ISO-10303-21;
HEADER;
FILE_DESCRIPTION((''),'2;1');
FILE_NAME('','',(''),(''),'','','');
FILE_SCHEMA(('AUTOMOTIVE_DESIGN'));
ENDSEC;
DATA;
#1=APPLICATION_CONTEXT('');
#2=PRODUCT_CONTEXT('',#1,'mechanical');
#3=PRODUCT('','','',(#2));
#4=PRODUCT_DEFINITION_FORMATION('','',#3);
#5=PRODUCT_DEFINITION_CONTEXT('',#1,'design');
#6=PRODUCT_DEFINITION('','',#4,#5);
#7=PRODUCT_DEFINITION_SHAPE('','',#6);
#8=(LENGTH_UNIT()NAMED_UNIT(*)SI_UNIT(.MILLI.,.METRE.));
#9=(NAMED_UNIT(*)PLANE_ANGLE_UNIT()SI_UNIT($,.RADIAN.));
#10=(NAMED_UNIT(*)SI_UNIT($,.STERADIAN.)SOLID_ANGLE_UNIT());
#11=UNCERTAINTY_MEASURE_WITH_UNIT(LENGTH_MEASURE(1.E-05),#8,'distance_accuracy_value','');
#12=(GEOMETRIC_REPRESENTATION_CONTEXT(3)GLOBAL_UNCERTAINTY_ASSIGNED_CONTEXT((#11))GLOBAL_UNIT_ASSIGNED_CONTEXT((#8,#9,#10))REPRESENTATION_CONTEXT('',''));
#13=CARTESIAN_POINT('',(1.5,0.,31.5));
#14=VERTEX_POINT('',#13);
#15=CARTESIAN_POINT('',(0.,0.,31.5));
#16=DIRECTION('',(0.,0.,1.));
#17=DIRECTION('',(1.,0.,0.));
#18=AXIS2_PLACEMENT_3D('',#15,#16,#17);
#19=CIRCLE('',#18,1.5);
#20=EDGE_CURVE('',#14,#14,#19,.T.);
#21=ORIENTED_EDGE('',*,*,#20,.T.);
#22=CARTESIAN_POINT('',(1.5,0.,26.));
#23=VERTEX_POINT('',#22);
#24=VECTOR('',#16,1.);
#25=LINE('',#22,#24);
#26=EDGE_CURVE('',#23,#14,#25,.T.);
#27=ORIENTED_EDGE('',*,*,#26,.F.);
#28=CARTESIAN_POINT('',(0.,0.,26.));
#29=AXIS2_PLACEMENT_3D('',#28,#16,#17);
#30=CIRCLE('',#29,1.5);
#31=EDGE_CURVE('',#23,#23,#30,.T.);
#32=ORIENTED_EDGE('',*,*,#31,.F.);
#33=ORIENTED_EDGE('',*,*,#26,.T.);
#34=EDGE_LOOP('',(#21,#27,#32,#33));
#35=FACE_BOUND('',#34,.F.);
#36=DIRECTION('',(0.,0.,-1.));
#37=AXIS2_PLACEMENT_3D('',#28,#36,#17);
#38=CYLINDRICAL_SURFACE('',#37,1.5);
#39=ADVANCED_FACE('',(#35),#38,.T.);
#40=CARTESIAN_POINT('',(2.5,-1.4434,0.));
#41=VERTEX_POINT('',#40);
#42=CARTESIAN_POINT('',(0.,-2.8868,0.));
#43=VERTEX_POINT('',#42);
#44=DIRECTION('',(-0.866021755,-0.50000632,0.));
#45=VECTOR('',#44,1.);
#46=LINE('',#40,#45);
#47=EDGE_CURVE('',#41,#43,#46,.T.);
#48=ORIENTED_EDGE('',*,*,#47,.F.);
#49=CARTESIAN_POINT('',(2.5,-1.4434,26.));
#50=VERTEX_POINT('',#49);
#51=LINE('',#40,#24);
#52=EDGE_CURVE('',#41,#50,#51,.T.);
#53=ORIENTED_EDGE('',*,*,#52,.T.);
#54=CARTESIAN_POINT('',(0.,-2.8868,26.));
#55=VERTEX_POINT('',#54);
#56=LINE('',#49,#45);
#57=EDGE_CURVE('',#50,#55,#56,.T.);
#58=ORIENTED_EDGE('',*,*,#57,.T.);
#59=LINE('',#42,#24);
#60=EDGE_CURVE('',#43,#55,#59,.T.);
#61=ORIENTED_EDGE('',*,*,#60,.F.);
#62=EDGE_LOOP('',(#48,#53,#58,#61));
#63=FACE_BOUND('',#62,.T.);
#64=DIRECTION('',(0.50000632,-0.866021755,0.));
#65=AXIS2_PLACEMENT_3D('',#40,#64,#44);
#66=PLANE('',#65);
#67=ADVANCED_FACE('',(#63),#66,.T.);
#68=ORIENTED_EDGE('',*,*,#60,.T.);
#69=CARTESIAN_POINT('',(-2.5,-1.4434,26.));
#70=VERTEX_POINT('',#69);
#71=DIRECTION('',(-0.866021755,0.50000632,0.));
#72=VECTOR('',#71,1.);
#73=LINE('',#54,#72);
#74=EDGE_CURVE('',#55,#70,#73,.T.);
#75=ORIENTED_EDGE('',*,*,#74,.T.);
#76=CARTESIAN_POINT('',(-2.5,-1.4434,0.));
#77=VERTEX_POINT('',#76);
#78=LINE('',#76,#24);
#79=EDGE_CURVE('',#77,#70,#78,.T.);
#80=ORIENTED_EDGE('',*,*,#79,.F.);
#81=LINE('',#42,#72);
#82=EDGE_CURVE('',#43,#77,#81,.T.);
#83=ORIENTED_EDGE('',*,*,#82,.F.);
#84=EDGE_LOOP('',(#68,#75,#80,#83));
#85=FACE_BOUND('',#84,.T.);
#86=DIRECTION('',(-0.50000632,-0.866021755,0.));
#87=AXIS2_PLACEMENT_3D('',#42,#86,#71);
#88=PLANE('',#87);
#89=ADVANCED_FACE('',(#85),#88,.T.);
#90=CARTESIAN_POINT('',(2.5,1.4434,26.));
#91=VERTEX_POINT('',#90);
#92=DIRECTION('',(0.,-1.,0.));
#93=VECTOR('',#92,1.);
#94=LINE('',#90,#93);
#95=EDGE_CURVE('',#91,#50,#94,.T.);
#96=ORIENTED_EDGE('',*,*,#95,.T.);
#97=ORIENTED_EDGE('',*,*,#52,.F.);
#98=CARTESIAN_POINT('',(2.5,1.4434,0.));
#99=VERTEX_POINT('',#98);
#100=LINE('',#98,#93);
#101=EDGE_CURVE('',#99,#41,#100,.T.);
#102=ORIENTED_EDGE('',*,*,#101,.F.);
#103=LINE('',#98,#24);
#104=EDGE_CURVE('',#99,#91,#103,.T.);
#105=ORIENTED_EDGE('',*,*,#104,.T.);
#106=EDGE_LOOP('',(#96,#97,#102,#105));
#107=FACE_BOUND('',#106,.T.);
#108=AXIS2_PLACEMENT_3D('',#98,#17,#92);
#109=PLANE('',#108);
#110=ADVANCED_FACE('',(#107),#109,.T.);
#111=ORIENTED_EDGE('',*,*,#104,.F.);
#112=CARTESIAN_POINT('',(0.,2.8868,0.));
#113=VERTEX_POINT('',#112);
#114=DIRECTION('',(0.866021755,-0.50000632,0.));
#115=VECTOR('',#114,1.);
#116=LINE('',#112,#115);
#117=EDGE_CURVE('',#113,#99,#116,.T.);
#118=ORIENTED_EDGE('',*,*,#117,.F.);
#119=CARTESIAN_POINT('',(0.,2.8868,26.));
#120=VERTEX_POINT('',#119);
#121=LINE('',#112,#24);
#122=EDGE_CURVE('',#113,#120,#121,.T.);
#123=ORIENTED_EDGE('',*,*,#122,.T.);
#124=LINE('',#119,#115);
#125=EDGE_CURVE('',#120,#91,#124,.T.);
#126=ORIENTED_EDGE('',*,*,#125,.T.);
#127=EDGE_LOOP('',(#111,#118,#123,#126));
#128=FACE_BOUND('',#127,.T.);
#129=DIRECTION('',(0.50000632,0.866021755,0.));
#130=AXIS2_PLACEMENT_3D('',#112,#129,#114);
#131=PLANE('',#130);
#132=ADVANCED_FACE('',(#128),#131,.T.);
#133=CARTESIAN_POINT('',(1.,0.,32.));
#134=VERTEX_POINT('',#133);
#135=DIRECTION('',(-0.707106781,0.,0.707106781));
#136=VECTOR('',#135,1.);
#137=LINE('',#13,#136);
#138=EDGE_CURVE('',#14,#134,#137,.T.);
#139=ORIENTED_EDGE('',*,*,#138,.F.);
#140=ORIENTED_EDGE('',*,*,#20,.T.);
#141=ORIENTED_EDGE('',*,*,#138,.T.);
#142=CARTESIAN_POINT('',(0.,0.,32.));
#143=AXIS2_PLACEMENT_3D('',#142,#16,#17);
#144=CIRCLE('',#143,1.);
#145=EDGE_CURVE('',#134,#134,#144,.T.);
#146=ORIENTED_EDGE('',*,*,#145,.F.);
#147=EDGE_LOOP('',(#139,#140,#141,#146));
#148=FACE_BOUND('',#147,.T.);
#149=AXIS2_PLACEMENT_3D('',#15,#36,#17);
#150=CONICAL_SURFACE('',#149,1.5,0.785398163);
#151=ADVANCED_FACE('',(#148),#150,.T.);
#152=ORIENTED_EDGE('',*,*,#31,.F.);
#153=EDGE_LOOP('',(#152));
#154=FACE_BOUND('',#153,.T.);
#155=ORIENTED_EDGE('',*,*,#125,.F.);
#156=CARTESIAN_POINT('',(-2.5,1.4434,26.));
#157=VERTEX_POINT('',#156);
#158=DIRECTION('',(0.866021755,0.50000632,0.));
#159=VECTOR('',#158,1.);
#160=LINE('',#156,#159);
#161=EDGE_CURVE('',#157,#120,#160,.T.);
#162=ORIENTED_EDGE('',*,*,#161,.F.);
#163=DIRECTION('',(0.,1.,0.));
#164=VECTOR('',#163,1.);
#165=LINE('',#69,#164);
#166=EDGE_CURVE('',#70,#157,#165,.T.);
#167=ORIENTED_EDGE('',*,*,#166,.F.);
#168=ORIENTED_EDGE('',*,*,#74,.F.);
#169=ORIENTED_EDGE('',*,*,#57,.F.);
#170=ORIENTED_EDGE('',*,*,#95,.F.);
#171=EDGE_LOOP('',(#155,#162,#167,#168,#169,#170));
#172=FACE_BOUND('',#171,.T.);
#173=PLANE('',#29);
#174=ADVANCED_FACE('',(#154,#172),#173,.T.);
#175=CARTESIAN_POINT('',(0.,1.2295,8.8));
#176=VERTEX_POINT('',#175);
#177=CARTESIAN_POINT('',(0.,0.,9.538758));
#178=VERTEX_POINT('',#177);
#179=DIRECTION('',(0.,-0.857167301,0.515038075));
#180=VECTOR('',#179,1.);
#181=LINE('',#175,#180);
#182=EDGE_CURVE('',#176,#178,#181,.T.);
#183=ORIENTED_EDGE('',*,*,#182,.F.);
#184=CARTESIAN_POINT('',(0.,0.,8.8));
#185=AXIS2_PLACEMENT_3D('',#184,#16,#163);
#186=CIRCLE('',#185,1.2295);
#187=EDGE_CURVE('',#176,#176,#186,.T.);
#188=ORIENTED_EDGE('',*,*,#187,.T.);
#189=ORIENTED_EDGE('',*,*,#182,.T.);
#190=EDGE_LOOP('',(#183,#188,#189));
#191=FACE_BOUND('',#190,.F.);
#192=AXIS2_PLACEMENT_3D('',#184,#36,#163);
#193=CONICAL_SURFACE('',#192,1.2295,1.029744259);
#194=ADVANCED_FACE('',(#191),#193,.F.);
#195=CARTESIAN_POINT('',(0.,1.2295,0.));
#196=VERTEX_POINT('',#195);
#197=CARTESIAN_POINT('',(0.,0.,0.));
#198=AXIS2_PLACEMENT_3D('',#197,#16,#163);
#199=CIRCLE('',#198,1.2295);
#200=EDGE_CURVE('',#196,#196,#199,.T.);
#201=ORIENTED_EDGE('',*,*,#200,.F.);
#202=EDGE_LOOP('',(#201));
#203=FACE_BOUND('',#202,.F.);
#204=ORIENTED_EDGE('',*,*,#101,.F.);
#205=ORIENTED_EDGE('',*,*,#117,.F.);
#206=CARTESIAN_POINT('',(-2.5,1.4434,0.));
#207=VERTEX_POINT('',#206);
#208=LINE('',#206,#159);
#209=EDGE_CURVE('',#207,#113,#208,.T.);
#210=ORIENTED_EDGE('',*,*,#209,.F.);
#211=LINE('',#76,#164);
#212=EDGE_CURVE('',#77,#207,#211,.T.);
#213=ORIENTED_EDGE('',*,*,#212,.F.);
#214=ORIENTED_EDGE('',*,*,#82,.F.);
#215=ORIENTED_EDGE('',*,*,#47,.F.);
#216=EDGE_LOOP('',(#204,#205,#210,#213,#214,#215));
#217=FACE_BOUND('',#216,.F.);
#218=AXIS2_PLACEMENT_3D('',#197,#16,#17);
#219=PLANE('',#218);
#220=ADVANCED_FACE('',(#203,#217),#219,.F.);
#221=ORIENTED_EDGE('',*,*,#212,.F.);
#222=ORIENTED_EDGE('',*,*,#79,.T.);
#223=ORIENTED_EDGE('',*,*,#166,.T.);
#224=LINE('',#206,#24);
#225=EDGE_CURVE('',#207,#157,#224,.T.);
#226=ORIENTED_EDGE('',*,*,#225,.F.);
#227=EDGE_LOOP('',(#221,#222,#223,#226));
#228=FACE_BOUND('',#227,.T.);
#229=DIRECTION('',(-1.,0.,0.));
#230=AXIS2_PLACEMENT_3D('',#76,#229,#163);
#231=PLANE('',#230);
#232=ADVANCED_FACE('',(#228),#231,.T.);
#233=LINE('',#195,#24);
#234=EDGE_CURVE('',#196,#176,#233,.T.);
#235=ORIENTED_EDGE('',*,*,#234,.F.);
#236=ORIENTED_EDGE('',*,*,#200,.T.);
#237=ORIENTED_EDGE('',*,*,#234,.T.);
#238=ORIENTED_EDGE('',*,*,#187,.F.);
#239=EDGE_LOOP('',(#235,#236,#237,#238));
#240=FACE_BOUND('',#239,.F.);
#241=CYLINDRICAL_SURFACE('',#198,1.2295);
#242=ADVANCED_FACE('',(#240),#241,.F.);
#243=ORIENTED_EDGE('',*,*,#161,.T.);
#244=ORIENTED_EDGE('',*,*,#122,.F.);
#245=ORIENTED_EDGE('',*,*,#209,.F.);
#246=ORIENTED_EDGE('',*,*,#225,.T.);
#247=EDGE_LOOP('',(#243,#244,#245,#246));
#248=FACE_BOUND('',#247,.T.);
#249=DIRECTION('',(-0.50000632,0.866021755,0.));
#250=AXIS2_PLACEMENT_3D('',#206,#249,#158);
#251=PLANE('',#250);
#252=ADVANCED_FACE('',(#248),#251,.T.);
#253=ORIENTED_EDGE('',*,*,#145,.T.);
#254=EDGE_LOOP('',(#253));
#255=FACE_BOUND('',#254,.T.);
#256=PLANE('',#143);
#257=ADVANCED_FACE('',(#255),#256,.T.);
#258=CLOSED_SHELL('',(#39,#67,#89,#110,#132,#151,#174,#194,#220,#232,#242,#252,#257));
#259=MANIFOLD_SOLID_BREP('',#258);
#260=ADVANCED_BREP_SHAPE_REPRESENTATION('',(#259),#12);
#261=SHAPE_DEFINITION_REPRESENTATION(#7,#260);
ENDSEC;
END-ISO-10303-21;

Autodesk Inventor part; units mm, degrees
ref_plane "YZ Plane" through (0, 0, 0) normal (1, 0, 0) x (0, 1, 0)
ref_plane "XZ Plane" through (0, 0, 0) normal (0, 1, 0) x (-1, 0, 0)
ref_plane "XY Plane" through (0, 0, 0) normal (0, 0, 1) x (1, 0, 0)
sketch "Sketch1" plane through (0, 0, 0) normal (0, 0, 1) x (1, 0, 0)
  line L0 (2.5, 1.4434) -> (2.5, -1.4434)
  line L1 (2.5, -1.4434) -> (0, -2.8868)
  line L2 (0, -2.8868) -> (-2.5, -1.4434)
  line L3 (-2.5, -1.4434) -> (-2.5, 1.4434)
  line L4 (-2.5, 1.4434) -> (0, 2.8868)
  line L5 (0, 2.8868) -> (2.5, 1.4434)
  point P0 (0, 0)
  point P1 (0, 0)
  dimension "d0" = 5
extrude "Extrusion1" add sketch "Sketch1" along normal blind 26
sketch "Sketch2" plane through (0, 0, 26) normal (0, 0, 1) x (1, 0, 0)
  circle A0 centre (0, 0) radius 1.5
  dimension "d3" = 3
extrude "Extrusion2" add sketch "Sketch2" along normal blind 6
chamfer "Chamfer1" distance 0.5 angle 45 1 edges at (-1.5, 0, 32)
thread "Thread1" size "M3x0.5" class "6g" standard "ANSI Metric M Profile" full length
sketch "Sketch3" plane through (0, 0, 0) normal (0, 0, -1) x (-1, 0, 0)
  point P0 (0, 0)
  point P1 (0, 0)
hole "Hole1" at (0, 0, 0) direction (0, 0, 1) diameter 2.459 depth 8.8 tip angle 118 thread size "M3x0.5" class "6H" standard "ISO Metric profile"
properties part number "M3_26mm_Abstands"
